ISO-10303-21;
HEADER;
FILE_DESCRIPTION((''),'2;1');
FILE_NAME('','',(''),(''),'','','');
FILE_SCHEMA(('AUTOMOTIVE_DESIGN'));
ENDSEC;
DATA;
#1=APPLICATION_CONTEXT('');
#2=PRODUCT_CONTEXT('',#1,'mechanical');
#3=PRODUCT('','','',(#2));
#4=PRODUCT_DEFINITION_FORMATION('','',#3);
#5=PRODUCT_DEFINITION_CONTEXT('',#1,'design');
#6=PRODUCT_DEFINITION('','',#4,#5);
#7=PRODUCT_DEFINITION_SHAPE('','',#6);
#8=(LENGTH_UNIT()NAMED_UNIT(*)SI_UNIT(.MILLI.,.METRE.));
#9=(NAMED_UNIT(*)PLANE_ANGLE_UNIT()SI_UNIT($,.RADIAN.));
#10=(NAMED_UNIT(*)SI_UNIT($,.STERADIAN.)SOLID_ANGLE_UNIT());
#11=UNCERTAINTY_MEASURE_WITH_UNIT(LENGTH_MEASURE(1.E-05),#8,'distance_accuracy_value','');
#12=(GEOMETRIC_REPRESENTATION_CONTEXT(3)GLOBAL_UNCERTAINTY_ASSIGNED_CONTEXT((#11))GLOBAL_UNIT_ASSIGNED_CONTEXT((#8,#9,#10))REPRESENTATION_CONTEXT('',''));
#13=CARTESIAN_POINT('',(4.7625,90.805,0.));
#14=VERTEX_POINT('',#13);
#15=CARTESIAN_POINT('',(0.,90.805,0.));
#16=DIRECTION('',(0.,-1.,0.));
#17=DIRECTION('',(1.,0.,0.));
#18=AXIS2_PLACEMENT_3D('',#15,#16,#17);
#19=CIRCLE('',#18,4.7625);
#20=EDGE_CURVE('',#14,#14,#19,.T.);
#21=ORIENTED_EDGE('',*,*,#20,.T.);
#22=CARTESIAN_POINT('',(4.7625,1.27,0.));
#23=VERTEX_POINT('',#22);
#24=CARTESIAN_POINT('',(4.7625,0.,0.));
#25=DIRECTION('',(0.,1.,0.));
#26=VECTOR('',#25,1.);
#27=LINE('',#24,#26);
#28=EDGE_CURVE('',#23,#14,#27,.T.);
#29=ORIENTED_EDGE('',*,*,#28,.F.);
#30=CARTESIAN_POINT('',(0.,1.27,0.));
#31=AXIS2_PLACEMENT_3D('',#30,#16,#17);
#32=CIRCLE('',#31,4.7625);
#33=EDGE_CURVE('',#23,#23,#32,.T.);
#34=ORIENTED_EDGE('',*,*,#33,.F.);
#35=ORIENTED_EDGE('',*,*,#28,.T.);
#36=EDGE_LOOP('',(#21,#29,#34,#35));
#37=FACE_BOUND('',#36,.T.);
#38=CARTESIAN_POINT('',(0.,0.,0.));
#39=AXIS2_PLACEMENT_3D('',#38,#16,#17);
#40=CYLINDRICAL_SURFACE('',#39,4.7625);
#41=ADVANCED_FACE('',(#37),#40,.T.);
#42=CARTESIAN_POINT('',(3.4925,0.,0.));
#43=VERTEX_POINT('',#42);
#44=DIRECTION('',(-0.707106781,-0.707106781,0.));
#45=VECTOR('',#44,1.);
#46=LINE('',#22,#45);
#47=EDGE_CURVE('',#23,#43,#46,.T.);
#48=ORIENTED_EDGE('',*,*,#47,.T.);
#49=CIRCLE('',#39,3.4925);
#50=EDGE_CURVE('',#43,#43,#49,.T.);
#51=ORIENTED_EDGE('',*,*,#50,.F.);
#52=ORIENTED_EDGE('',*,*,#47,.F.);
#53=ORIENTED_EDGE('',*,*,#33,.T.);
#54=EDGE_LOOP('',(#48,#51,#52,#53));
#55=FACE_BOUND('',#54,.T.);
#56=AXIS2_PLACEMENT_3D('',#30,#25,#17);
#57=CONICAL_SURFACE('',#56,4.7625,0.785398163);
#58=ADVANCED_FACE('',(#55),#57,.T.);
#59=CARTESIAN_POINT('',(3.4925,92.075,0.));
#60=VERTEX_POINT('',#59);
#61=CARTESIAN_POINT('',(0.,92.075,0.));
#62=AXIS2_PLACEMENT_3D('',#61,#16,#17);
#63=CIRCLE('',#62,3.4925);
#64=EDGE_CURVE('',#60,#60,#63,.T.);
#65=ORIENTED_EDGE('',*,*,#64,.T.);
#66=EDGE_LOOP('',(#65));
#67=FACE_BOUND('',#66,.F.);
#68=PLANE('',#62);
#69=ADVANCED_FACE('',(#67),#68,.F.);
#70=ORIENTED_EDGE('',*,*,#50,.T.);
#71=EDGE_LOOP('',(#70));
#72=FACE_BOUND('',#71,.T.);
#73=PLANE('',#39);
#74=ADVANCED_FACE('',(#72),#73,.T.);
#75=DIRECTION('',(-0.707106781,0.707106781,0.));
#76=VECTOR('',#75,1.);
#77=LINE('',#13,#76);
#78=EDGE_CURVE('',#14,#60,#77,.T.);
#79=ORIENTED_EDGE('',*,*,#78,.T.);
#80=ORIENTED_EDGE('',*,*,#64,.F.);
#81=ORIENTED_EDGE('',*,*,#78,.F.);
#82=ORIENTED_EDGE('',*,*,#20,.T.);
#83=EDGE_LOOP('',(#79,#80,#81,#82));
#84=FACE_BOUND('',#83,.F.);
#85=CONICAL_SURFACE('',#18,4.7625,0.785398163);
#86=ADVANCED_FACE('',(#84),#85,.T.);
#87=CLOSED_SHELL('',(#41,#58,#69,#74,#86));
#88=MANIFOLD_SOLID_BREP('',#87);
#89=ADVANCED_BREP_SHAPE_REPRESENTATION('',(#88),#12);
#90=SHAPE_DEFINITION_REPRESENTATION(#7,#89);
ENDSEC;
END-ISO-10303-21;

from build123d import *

# Parameters (mm, degrees)
F0_R     = 4.7625
F1_DEPTH = 92.075
F2_SIZE  = 1.27


with BuildPart() as f1:
    # F0 (on Front) → F1 (new body)
    with BuildSketch(Plane.XZ):
        Circle(F0_R)
    extrude(amount=-F1_DEPTH)

    # F2
    f2_edges = [f1.edges().sort_by_distance(p)[0] for p in [
        (-4.7625, 0, 0),
        (-4.7625, 92.075, 0),
    ]]
    chamfer(f2_edges, length=F2_SIZE)


solid = f1.part
